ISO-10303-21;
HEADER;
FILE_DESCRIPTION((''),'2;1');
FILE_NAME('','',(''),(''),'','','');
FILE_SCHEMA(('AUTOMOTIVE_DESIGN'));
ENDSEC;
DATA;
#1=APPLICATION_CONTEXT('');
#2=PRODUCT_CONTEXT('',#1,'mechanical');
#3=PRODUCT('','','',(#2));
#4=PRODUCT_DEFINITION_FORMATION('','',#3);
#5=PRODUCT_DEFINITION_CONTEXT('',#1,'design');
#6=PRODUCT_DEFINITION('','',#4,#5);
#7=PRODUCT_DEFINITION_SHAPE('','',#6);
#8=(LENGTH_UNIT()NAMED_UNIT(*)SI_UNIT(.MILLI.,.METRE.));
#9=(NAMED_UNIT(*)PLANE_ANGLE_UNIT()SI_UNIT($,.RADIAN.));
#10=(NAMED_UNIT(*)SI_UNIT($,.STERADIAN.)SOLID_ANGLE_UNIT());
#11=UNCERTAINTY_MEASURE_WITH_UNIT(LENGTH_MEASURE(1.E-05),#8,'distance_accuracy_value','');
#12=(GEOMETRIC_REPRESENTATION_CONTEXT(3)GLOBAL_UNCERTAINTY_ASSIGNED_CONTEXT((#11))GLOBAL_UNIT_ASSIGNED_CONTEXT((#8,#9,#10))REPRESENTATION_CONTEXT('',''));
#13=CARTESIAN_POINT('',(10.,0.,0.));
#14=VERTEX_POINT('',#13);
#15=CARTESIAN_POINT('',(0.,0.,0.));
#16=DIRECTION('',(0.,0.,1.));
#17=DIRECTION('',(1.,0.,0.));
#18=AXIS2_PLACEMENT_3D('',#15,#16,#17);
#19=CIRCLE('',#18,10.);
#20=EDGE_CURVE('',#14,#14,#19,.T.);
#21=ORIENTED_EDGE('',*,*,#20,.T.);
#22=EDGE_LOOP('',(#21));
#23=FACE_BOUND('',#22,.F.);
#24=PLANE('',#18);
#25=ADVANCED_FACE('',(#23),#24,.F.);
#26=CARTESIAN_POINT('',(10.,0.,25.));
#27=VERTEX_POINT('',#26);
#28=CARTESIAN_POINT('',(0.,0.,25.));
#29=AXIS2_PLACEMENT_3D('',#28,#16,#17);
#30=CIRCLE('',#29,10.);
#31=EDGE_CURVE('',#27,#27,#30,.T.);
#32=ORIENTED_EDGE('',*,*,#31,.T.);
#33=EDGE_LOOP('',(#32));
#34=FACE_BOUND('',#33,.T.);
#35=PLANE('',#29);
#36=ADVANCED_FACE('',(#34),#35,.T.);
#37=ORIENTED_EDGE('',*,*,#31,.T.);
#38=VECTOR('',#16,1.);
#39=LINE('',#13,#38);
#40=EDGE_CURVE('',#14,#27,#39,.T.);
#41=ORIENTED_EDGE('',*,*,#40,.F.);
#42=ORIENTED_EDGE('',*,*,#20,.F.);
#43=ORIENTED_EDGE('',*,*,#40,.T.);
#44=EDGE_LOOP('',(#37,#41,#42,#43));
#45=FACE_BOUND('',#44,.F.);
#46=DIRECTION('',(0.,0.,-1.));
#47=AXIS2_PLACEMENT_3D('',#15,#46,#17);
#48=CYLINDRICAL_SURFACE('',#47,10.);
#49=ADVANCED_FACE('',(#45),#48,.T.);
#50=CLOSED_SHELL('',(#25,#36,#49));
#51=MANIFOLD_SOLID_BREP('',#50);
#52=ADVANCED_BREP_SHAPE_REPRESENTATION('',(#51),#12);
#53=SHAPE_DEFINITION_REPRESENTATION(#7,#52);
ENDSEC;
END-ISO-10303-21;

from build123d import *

# Parameters (mm, degrees)
CYLINDER_R     = 10
CYLINDER_DEPTH = 25


with BuildPart() as part:
    # Cylinder → Cylinder (join)
    with BuildSketch(Plane.XY):
        Circle(CYLINDER_R)
    extrude(amount=CYLINDER_DEPTH)


solid = part.part
